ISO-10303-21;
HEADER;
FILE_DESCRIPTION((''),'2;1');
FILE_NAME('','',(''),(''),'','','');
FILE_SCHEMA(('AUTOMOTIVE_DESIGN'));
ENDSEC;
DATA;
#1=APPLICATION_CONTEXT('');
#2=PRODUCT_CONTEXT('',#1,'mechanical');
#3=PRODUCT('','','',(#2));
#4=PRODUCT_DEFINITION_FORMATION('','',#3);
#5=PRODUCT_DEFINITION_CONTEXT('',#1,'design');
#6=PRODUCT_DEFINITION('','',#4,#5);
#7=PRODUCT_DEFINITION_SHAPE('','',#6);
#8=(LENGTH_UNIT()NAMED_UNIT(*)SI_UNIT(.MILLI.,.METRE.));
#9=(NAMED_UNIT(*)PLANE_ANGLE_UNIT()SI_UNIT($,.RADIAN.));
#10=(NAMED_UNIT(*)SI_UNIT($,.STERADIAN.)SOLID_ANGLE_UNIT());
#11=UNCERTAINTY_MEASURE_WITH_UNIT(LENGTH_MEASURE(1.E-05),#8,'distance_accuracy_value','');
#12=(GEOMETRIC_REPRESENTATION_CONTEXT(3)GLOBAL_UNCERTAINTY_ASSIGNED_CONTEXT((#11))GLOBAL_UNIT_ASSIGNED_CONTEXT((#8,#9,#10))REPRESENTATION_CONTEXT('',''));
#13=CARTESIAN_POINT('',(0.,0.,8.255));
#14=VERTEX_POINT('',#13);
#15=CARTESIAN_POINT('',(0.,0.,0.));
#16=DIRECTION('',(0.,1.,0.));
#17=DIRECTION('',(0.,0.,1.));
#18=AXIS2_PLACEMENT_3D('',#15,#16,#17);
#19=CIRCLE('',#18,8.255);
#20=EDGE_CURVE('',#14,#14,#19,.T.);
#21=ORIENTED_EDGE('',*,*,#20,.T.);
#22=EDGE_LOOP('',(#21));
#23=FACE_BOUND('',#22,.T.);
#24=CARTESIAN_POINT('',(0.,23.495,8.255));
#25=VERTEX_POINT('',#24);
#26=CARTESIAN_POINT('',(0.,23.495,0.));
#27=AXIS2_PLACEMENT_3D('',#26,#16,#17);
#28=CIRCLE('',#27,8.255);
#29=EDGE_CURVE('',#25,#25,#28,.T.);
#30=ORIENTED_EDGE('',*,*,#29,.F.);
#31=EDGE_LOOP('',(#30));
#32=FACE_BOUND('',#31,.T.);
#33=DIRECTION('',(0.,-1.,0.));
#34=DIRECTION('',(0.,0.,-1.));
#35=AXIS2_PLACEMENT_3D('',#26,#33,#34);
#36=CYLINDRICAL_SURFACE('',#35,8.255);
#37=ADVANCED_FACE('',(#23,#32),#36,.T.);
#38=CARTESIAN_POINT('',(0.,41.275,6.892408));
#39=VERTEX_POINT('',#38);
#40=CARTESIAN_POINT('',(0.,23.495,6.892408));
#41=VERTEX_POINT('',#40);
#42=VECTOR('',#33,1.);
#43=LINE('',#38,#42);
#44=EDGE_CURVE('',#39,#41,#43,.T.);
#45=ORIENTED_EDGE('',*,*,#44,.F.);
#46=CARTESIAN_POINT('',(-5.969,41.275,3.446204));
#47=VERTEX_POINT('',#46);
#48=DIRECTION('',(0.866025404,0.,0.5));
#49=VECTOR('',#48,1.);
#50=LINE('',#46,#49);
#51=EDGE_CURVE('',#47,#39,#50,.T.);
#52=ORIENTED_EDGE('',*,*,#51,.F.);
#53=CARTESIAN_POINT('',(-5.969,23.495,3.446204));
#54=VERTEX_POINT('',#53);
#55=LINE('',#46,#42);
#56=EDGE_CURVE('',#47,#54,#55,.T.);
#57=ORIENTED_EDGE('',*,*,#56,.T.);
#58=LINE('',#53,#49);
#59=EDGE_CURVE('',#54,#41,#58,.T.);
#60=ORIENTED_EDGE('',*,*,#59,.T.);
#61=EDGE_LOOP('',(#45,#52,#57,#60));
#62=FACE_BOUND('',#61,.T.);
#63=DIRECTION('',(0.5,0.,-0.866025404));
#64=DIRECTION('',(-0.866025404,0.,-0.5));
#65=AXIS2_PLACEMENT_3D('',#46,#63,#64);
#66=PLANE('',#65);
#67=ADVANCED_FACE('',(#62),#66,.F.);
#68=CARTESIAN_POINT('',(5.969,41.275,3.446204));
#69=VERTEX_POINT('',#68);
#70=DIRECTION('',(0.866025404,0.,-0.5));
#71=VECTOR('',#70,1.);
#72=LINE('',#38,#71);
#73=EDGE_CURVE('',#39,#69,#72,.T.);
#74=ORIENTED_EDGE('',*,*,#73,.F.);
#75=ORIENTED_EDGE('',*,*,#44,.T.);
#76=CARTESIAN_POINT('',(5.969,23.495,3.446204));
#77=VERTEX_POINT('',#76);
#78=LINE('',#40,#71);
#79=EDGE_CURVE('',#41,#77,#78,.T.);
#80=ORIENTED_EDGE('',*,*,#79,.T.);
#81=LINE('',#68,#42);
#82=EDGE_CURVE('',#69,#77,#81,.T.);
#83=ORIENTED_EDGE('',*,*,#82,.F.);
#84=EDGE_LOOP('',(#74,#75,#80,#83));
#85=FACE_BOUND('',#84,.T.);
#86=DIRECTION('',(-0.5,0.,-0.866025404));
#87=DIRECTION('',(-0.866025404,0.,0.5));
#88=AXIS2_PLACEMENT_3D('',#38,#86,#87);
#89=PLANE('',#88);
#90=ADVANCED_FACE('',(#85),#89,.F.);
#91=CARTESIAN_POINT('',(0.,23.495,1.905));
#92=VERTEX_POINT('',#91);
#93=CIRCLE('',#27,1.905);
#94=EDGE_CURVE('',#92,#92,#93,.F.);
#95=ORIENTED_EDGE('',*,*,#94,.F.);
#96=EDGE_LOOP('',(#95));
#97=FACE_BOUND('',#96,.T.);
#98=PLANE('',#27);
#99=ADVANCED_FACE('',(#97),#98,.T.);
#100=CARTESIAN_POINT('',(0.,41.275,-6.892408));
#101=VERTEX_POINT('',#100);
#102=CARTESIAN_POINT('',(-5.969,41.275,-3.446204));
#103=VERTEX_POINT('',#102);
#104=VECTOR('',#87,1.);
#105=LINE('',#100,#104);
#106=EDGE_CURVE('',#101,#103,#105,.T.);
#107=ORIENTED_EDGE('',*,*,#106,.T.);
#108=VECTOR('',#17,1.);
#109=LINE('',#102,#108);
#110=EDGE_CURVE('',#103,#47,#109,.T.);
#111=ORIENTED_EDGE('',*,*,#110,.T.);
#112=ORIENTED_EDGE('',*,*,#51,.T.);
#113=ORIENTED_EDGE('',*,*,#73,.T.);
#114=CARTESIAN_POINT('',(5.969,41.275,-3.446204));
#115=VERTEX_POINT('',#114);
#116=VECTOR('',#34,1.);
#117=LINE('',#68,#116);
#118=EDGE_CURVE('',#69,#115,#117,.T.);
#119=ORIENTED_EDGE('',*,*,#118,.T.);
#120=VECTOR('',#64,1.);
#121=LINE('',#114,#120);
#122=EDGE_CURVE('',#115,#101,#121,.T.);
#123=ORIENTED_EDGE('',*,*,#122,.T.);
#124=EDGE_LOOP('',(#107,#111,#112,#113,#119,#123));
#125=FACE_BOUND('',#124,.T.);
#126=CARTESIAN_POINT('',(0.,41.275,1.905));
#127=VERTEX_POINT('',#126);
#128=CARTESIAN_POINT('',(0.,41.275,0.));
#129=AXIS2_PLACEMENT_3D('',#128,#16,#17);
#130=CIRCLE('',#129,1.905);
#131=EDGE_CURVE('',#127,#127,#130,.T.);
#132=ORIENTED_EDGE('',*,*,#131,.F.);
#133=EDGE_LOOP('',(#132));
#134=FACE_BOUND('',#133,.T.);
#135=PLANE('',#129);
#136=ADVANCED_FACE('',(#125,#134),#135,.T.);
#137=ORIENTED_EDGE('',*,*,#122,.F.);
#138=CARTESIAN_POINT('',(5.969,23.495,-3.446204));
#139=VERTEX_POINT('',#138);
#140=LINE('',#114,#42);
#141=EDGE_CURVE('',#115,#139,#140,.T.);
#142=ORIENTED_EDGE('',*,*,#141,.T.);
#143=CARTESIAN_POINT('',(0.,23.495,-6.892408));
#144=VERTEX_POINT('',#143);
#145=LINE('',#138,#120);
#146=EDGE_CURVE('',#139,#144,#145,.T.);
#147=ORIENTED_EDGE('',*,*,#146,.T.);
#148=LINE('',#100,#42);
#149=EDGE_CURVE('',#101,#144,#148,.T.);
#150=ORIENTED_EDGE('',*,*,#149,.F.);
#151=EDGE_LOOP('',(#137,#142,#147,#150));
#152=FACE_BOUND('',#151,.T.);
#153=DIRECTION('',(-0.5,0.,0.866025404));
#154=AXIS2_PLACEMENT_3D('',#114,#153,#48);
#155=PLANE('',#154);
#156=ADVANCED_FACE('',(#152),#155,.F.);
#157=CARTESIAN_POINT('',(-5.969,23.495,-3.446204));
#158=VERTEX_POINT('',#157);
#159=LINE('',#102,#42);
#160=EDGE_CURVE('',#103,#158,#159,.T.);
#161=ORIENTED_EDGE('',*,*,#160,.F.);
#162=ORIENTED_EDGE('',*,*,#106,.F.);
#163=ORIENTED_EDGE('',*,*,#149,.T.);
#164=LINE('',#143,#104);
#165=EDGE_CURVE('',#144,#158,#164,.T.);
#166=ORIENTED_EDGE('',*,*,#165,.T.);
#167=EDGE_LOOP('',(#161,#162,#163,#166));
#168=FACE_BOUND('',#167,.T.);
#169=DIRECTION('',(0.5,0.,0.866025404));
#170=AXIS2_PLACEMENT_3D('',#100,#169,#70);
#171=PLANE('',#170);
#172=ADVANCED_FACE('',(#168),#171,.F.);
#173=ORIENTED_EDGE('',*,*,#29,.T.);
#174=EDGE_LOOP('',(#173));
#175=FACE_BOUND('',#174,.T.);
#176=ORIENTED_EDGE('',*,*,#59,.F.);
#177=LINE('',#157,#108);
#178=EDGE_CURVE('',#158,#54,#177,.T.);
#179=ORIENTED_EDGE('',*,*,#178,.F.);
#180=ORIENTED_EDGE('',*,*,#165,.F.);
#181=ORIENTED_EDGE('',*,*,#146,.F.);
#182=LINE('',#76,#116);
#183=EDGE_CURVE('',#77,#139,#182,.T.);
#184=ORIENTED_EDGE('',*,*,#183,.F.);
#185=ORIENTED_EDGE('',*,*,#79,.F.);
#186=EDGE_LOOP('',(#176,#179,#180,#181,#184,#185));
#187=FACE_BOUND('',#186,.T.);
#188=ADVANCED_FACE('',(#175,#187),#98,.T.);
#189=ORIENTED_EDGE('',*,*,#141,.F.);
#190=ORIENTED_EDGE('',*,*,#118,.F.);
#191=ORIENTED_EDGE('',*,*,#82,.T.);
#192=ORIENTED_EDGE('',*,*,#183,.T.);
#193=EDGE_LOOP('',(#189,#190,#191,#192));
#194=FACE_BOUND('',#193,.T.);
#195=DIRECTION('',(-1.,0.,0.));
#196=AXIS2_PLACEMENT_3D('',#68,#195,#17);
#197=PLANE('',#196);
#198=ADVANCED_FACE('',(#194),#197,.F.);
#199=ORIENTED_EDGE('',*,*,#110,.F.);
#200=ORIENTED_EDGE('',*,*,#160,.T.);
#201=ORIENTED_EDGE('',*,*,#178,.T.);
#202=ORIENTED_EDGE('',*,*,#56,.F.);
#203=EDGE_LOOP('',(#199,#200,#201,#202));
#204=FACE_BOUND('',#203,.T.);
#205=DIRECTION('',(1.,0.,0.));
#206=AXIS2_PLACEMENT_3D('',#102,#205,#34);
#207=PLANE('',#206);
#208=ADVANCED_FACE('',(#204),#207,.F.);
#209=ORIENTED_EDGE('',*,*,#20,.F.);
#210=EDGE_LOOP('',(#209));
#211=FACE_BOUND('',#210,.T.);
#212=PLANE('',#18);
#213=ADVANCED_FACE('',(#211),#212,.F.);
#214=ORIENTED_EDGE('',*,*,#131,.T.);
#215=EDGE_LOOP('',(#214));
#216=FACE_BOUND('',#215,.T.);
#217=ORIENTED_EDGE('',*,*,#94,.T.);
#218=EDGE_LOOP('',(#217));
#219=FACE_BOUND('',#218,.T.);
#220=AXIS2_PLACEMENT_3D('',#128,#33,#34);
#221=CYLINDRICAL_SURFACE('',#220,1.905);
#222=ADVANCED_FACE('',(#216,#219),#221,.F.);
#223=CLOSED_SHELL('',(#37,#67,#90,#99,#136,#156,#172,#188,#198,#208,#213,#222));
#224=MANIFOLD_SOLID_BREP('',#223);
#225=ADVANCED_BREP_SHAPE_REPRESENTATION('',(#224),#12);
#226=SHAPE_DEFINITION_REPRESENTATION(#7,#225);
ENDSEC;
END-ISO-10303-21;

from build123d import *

# Parameters (mm, degrees)
SKETCH1_R           = 8.255
BOSS_EXTRUDE1_DEPTH = 23.495
SKETCH9_R           = 1.905
BOSS_EXTRUDE6_DEPTH = 17.78


with BuildPart() as part:
    # Sketch1 → Boss-Extrude1 (new body)
    with BuildSketch(Plane(origin=(0, 0, 0), x_dir=(1, 0, 0), z_dir=(0, 1, 0))):
        Circle(SKETCH1_R)
    extrude(amount=BOSS_EXTRUDE1_DEPTH)

    # Sketch9 → Boss-Extrude6 (add)
    with BuildSketch(Plane(origin=(0, 23.495, 0), x_dir=(1, 0, 0), z_dir=(0, 1, 0))):
        Polygon((0, 6.892407514), (-5.969, 3.446203757), (-5.969, -3.446203757), (0, -6.892407514), (5.969, -3.446203757), (5.969, 3.446203757), align=None)
        Circle(SKETCH9_R, mode=Mode.SUBTRACT)
    extrude(amount=BOSS_EXTRUDE6_DEPTH)


solid = part.part
